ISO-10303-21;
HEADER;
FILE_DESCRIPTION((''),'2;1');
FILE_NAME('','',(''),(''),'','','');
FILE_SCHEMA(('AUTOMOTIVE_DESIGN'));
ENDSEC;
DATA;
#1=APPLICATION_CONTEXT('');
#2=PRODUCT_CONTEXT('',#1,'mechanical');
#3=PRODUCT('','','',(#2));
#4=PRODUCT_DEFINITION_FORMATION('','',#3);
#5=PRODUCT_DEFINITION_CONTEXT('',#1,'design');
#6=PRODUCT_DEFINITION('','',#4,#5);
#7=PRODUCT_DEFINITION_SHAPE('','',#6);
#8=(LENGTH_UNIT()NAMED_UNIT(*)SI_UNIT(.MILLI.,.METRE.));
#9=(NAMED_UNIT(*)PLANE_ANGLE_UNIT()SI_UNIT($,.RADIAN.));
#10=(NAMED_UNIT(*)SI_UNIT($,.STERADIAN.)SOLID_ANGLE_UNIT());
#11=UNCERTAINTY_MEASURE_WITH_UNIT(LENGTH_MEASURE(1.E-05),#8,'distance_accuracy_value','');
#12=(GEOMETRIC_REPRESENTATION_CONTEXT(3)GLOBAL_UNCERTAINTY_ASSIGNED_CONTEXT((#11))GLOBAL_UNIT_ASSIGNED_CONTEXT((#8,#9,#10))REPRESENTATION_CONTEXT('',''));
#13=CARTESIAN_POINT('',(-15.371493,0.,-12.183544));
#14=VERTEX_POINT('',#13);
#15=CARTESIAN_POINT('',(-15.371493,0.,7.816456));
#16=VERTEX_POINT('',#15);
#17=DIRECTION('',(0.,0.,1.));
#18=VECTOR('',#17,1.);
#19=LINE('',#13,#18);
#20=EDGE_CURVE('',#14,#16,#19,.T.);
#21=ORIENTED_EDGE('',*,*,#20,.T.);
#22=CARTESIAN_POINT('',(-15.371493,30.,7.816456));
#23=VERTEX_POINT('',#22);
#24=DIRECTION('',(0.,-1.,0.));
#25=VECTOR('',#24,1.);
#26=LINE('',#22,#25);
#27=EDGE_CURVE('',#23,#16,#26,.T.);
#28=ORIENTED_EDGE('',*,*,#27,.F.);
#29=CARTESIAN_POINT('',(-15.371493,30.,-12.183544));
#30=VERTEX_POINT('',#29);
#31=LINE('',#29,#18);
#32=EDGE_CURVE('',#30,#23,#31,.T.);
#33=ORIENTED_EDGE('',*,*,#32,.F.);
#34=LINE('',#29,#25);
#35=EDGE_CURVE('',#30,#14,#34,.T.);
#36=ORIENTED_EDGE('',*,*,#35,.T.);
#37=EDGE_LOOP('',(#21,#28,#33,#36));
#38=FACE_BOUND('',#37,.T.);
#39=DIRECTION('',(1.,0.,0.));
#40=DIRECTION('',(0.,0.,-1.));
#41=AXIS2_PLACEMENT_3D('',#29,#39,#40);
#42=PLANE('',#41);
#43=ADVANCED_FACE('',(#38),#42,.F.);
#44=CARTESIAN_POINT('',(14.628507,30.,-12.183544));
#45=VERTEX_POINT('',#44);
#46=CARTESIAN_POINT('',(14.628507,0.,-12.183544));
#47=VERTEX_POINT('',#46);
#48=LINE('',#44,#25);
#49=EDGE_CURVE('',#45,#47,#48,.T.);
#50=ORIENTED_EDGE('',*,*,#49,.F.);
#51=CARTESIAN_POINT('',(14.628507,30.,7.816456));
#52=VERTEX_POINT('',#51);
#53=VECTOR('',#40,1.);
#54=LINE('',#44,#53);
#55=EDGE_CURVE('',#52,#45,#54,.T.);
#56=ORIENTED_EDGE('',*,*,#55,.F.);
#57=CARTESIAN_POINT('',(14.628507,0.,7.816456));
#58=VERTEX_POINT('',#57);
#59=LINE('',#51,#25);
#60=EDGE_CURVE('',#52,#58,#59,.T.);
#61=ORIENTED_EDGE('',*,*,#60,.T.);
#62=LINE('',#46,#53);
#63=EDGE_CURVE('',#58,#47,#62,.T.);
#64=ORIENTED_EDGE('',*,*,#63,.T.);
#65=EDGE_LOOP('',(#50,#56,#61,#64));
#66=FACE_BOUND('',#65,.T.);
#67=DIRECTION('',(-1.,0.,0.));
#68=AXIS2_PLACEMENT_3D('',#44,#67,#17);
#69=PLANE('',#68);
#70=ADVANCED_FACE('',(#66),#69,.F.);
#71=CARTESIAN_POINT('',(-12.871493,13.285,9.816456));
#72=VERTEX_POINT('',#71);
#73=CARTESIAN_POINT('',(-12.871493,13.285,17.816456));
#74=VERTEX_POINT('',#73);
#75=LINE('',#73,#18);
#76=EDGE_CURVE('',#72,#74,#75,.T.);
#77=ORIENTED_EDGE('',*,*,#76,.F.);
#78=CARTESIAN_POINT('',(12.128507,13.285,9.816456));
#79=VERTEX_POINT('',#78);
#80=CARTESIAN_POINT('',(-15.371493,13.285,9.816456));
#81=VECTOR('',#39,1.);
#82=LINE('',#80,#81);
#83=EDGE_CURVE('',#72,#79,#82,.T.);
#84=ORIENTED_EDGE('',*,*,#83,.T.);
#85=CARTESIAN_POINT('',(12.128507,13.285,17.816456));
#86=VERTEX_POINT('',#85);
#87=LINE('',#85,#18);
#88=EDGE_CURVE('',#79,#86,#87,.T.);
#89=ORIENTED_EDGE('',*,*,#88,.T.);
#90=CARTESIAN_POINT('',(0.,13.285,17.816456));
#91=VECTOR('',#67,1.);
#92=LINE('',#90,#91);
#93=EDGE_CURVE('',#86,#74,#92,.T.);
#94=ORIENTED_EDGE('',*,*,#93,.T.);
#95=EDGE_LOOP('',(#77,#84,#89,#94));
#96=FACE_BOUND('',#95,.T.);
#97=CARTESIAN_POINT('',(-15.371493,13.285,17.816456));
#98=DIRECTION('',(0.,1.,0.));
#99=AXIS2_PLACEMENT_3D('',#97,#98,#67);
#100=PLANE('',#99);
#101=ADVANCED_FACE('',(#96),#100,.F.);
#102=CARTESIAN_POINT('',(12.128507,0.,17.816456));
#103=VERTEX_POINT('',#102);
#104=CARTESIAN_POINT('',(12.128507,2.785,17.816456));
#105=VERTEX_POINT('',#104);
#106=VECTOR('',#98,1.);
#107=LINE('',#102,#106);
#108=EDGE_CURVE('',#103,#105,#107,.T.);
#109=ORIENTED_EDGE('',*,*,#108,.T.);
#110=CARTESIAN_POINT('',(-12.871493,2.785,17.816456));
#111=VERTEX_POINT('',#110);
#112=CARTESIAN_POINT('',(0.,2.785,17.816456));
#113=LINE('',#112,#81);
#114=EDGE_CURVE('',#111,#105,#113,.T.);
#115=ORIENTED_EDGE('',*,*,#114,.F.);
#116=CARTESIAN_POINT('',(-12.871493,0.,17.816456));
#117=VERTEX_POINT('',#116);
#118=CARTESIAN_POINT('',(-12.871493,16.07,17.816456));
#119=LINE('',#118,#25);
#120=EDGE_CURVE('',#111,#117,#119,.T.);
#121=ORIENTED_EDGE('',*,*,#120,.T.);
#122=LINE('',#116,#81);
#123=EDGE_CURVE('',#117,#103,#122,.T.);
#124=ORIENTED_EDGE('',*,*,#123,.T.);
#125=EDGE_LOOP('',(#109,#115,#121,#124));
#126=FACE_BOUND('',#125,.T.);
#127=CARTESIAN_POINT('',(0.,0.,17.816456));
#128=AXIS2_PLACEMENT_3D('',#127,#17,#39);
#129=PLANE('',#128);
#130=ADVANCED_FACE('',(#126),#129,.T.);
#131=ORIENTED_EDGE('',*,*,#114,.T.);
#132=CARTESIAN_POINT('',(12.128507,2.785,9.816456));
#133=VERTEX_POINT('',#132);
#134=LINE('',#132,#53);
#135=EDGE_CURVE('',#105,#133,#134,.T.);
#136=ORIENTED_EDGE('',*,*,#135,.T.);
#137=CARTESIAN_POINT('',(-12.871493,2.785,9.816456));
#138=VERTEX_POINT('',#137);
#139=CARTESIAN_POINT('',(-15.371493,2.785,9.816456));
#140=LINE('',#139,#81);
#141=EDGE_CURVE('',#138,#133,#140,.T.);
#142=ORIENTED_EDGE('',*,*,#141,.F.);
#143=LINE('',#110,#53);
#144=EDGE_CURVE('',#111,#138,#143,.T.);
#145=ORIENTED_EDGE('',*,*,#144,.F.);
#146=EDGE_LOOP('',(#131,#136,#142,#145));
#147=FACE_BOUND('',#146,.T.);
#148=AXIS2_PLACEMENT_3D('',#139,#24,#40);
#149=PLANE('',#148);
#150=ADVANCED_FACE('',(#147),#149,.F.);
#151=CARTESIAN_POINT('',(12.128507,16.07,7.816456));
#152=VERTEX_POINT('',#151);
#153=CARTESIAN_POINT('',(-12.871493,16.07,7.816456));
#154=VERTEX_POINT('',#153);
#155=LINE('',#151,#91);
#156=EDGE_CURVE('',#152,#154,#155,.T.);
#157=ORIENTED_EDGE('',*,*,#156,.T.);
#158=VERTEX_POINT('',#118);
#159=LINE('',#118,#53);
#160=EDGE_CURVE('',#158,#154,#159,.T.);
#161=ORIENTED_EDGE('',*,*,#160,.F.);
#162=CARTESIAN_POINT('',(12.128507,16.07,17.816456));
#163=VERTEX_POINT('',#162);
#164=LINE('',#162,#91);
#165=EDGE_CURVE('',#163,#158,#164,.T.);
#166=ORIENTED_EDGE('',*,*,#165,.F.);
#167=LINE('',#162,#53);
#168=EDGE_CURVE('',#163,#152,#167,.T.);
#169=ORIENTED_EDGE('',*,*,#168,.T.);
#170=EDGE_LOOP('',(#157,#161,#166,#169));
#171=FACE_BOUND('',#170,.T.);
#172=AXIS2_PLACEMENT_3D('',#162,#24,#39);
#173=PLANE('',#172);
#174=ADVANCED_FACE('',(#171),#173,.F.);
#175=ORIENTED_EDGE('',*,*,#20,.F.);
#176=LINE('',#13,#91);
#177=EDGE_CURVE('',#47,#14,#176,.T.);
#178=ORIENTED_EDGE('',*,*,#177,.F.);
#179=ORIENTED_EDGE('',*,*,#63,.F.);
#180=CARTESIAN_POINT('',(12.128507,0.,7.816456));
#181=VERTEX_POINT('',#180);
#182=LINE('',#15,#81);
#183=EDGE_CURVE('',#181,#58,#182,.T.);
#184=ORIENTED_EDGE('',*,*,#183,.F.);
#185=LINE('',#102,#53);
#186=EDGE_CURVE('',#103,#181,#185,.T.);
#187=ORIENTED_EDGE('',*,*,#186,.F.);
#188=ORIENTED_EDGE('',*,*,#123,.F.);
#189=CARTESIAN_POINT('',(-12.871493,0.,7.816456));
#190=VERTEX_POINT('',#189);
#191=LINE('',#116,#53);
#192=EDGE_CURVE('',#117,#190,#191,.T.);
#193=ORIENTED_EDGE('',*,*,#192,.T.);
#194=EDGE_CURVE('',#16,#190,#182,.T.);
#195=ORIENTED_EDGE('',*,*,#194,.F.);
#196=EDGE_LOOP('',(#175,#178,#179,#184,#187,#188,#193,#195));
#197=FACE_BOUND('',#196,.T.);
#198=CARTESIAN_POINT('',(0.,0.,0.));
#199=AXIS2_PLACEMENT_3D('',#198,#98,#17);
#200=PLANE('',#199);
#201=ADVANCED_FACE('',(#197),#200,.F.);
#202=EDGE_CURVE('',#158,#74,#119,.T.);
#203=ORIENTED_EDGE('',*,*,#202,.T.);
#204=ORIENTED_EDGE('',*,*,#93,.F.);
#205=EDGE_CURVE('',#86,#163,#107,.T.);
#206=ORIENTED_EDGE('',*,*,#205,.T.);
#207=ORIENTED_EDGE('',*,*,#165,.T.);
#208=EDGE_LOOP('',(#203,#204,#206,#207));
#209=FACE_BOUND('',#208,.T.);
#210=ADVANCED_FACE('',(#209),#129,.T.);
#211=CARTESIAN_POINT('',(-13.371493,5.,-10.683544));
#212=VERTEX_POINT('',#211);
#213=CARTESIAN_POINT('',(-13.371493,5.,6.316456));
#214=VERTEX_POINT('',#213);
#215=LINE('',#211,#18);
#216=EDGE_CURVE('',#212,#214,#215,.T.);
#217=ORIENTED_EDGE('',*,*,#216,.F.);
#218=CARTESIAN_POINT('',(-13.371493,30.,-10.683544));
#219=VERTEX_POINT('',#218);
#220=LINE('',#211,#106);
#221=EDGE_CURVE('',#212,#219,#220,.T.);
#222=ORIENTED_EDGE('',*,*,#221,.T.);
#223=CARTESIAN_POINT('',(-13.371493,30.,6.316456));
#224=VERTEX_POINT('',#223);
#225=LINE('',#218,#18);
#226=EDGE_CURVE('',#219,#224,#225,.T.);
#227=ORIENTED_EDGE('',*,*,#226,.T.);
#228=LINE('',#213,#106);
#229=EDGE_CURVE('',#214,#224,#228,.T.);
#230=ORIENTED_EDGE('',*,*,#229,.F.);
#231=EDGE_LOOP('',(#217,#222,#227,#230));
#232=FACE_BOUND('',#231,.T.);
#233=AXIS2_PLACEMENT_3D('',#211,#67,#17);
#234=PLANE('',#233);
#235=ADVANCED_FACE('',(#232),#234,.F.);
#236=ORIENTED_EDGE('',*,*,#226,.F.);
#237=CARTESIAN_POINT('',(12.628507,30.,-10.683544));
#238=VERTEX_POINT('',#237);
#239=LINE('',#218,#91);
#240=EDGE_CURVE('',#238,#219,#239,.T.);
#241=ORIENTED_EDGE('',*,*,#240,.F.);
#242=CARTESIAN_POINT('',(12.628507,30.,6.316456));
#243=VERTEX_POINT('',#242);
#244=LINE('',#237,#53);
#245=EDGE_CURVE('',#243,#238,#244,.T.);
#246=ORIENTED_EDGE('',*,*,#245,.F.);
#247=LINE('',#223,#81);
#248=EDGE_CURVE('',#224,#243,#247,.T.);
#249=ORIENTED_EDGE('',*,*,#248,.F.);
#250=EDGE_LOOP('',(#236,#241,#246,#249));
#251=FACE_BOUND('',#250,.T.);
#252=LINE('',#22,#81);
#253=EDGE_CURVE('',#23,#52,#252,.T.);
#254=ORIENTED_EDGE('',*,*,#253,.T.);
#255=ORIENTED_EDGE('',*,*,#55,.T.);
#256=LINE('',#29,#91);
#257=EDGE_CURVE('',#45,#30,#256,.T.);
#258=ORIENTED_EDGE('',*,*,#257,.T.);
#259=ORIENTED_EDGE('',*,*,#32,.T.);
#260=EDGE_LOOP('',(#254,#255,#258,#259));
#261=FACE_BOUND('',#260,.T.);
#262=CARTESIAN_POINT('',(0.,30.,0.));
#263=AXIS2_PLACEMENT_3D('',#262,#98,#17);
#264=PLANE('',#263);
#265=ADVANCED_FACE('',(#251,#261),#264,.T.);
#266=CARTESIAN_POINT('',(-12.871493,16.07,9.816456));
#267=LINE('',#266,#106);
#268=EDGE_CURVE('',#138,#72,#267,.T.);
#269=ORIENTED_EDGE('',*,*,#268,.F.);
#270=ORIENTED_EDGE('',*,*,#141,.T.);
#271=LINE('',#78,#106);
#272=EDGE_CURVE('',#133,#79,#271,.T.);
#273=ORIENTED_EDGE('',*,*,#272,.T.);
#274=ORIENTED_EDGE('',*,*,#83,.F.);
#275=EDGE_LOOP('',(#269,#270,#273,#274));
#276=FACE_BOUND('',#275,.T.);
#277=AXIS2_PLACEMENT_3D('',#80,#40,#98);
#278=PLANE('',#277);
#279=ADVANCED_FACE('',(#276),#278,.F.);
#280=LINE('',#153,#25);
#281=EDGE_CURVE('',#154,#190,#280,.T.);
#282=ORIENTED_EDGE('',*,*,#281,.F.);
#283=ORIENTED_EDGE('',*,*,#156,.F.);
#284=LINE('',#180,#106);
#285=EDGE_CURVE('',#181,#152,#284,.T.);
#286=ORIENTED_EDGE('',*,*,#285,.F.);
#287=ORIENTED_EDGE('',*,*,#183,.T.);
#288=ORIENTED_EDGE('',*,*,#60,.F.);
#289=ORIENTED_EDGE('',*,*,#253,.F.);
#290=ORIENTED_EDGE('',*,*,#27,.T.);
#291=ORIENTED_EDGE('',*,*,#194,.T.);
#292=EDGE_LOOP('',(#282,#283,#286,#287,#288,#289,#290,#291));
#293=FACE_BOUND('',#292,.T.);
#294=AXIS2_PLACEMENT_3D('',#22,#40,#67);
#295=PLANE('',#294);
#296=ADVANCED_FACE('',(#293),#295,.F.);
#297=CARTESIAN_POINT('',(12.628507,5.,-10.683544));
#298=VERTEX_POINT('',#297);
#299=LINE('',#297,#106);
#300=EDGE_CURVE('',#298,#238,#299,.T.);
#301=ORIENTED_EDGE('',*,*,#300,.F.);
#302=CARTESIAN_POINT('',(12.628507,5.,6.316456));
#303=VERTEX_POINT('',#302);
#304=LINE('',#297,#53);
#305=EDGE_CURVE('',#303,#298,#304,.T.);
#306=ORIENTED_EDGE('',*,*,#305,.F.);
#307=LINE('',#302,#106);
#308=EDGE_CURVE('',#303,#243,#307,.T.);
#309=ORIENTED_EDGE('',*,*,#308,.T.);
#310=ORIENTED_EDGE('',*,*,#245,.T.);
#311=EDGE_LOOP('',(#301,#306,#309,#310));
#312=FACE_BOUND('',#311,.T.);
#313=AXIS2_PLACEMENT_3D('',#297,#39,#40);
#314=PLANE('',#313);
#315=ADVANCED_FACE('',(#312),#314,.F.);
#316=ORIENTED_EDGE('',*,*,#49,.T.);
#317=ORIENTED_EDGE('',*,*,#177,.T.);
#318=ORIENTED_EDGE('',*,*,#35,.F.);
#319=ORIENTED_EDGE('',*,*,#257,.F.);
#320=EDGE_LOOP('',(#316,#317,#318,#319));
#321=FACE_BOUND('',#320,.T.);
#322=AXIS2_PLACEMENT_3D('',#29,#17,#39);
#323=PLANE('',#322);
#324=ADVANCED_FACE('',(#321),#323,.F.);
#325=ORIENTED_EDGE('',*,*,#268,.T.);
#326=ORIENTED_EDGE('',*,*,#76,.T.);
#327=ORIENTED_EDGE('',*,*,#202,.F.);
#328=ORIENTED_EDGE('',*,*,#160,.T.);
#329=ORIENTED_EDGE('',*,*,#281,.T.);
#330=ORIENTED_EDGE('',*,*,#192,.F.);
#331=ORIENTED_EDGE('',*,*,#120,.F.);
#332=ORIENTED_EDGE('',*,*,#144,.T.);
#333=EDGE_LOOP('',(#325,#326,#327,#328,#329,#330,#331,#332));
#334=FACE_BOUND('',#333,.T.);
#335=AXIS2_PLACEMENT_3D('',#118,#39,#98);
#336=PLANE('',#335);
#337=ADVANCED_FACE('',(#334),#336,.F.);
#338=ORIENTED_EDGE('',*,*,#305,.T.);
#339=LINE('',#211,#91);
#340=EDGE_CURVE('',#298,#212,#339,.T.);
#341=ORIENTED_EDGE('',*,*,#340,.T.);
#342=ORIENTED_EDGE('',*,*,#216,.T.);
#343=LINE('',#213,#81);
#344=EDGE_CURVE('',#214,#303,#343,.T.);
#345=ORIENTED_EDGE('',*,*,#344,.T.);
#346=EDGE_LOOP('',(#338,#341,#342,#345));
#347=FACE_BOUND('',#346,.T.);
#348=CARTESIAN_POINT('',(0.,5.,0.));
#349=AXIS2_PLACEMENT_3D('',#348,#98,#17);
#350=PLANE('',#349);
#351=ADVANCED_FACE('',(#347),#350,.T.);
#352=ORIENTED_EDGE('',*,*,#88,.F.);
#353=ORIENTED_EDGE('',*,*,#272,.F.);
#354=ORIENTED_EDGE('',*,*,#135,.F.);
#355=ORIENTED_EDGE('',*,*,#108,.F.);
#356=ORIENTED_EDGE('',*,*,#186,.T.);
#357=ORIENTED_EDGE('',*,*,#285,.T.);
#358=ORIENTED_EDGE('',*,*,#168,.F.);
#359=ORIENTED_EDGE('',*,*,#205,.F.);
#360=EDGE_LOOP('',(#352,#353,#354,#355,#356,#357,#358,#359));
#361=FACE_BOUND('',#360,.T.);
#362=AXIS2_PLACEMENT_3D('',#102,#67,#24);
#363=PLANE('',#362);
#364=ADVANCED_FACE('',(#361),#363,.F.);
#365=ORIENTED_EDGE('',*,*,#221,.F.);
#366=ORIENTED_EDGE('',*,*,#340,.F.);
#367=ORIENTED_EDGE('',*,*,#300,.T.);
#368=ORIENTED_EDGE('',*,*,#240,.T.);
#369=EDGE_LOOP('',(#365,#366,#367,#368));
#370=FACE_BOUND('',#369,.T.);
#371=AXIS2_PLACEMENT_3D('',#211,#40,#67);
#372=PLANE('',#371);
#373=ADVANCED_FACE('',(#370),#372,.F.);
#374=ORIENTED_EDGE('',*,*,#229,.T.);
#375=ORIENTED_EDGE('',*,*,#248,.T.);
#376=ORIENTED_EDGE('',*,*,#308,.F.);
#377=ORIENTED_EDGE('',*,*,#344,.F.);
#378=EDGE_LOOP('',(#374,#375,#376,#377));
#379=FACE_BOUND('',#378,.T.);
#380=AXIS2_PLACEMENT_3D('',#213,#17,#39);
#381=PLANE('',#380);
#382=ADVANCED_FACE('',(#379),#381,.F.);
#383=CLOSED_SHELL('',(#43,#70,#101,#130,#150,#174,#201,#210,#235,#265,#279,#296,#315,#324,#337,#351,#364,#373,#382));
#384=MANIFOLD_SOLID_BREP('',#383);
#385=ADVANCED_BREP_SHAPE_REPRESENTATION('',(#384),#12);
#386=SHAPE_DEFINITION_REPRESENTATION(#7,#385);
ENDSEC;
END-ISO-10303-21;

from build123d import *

# Parameters (mm, degrees)
SKETCH_1_W          = 30
SKETCH_1_H          = 20
EXTRUDE_1_DEPTH     = 30
SKETCH_2_W          = 26
SKETCH_2_H          = 17
CUT_EXTRUDE_2_DEPTH = 25
SKETCH_3_W          = 25
SKETCH_3_H          = 16.07
EXTRUDE_2_DEPTH     = 10
SKETCH_4_W          = 8
SKETCH_4_H          = 10.5
CUT_EXTRUDE_3_DEPTH = 45.426074479


with BuildPart() as part:
    # 草图1 → 凸台-拉伸1 (new body)
    with BuildSketch(Plane(origin=(0, 0, 0), x_dir=(1, 0, 0), z_dir=(0, 1, 0))):
        with Locations((-0.371492922, 2.183544304)):
            Rectangle(SKETCH_1_W, SKETCH_1_H)
    extrude(amount=EXTRUDE_1_DEPTH)

    # 草图2 → 切除-拉伸2 (cut)
    with BuildSketch(Plane(origin=(0, 30, 0), x_dir=(1, 0, 0), z_dir=(0, 1, 0))):
        with Locations((-0.371492922, 2.183544304)):
            Rectangle(SKETCH_2_W, SKETCH_2_H)
    extrude(amount=-CUT_EXTRUDE_2_DEPTH, mode=Mode.SUBTRACT)

    # 草图3 → 凸台-拉伸2 (add)
    with BuildSketch(Plane.XY.offset(7.816455696)):
        with Locations((-0.371492922, 8.035)):
            Rectangle(SKETCH_3_W, SKETCH_3_H)
    extrude(amount=EXTRUDE_2_DEPTH)

    # 草图4 → 切除-拉伸3 (cut, through all)
    with BuildSketch(Plane(origin=(12.128507078, 0, 0), x_dir=(0, 0, -1), z_dir=(1, 0, 0))):
        with Locations((-13.816455696, 8.035)):
            Rectangle(SKETCH_4_W, SKETCH_4_H)
    extrude(amount=-CUT_EXTRUDE_3_DEPTH, mode=Mode.SUBTRACT)


solid = part.part
